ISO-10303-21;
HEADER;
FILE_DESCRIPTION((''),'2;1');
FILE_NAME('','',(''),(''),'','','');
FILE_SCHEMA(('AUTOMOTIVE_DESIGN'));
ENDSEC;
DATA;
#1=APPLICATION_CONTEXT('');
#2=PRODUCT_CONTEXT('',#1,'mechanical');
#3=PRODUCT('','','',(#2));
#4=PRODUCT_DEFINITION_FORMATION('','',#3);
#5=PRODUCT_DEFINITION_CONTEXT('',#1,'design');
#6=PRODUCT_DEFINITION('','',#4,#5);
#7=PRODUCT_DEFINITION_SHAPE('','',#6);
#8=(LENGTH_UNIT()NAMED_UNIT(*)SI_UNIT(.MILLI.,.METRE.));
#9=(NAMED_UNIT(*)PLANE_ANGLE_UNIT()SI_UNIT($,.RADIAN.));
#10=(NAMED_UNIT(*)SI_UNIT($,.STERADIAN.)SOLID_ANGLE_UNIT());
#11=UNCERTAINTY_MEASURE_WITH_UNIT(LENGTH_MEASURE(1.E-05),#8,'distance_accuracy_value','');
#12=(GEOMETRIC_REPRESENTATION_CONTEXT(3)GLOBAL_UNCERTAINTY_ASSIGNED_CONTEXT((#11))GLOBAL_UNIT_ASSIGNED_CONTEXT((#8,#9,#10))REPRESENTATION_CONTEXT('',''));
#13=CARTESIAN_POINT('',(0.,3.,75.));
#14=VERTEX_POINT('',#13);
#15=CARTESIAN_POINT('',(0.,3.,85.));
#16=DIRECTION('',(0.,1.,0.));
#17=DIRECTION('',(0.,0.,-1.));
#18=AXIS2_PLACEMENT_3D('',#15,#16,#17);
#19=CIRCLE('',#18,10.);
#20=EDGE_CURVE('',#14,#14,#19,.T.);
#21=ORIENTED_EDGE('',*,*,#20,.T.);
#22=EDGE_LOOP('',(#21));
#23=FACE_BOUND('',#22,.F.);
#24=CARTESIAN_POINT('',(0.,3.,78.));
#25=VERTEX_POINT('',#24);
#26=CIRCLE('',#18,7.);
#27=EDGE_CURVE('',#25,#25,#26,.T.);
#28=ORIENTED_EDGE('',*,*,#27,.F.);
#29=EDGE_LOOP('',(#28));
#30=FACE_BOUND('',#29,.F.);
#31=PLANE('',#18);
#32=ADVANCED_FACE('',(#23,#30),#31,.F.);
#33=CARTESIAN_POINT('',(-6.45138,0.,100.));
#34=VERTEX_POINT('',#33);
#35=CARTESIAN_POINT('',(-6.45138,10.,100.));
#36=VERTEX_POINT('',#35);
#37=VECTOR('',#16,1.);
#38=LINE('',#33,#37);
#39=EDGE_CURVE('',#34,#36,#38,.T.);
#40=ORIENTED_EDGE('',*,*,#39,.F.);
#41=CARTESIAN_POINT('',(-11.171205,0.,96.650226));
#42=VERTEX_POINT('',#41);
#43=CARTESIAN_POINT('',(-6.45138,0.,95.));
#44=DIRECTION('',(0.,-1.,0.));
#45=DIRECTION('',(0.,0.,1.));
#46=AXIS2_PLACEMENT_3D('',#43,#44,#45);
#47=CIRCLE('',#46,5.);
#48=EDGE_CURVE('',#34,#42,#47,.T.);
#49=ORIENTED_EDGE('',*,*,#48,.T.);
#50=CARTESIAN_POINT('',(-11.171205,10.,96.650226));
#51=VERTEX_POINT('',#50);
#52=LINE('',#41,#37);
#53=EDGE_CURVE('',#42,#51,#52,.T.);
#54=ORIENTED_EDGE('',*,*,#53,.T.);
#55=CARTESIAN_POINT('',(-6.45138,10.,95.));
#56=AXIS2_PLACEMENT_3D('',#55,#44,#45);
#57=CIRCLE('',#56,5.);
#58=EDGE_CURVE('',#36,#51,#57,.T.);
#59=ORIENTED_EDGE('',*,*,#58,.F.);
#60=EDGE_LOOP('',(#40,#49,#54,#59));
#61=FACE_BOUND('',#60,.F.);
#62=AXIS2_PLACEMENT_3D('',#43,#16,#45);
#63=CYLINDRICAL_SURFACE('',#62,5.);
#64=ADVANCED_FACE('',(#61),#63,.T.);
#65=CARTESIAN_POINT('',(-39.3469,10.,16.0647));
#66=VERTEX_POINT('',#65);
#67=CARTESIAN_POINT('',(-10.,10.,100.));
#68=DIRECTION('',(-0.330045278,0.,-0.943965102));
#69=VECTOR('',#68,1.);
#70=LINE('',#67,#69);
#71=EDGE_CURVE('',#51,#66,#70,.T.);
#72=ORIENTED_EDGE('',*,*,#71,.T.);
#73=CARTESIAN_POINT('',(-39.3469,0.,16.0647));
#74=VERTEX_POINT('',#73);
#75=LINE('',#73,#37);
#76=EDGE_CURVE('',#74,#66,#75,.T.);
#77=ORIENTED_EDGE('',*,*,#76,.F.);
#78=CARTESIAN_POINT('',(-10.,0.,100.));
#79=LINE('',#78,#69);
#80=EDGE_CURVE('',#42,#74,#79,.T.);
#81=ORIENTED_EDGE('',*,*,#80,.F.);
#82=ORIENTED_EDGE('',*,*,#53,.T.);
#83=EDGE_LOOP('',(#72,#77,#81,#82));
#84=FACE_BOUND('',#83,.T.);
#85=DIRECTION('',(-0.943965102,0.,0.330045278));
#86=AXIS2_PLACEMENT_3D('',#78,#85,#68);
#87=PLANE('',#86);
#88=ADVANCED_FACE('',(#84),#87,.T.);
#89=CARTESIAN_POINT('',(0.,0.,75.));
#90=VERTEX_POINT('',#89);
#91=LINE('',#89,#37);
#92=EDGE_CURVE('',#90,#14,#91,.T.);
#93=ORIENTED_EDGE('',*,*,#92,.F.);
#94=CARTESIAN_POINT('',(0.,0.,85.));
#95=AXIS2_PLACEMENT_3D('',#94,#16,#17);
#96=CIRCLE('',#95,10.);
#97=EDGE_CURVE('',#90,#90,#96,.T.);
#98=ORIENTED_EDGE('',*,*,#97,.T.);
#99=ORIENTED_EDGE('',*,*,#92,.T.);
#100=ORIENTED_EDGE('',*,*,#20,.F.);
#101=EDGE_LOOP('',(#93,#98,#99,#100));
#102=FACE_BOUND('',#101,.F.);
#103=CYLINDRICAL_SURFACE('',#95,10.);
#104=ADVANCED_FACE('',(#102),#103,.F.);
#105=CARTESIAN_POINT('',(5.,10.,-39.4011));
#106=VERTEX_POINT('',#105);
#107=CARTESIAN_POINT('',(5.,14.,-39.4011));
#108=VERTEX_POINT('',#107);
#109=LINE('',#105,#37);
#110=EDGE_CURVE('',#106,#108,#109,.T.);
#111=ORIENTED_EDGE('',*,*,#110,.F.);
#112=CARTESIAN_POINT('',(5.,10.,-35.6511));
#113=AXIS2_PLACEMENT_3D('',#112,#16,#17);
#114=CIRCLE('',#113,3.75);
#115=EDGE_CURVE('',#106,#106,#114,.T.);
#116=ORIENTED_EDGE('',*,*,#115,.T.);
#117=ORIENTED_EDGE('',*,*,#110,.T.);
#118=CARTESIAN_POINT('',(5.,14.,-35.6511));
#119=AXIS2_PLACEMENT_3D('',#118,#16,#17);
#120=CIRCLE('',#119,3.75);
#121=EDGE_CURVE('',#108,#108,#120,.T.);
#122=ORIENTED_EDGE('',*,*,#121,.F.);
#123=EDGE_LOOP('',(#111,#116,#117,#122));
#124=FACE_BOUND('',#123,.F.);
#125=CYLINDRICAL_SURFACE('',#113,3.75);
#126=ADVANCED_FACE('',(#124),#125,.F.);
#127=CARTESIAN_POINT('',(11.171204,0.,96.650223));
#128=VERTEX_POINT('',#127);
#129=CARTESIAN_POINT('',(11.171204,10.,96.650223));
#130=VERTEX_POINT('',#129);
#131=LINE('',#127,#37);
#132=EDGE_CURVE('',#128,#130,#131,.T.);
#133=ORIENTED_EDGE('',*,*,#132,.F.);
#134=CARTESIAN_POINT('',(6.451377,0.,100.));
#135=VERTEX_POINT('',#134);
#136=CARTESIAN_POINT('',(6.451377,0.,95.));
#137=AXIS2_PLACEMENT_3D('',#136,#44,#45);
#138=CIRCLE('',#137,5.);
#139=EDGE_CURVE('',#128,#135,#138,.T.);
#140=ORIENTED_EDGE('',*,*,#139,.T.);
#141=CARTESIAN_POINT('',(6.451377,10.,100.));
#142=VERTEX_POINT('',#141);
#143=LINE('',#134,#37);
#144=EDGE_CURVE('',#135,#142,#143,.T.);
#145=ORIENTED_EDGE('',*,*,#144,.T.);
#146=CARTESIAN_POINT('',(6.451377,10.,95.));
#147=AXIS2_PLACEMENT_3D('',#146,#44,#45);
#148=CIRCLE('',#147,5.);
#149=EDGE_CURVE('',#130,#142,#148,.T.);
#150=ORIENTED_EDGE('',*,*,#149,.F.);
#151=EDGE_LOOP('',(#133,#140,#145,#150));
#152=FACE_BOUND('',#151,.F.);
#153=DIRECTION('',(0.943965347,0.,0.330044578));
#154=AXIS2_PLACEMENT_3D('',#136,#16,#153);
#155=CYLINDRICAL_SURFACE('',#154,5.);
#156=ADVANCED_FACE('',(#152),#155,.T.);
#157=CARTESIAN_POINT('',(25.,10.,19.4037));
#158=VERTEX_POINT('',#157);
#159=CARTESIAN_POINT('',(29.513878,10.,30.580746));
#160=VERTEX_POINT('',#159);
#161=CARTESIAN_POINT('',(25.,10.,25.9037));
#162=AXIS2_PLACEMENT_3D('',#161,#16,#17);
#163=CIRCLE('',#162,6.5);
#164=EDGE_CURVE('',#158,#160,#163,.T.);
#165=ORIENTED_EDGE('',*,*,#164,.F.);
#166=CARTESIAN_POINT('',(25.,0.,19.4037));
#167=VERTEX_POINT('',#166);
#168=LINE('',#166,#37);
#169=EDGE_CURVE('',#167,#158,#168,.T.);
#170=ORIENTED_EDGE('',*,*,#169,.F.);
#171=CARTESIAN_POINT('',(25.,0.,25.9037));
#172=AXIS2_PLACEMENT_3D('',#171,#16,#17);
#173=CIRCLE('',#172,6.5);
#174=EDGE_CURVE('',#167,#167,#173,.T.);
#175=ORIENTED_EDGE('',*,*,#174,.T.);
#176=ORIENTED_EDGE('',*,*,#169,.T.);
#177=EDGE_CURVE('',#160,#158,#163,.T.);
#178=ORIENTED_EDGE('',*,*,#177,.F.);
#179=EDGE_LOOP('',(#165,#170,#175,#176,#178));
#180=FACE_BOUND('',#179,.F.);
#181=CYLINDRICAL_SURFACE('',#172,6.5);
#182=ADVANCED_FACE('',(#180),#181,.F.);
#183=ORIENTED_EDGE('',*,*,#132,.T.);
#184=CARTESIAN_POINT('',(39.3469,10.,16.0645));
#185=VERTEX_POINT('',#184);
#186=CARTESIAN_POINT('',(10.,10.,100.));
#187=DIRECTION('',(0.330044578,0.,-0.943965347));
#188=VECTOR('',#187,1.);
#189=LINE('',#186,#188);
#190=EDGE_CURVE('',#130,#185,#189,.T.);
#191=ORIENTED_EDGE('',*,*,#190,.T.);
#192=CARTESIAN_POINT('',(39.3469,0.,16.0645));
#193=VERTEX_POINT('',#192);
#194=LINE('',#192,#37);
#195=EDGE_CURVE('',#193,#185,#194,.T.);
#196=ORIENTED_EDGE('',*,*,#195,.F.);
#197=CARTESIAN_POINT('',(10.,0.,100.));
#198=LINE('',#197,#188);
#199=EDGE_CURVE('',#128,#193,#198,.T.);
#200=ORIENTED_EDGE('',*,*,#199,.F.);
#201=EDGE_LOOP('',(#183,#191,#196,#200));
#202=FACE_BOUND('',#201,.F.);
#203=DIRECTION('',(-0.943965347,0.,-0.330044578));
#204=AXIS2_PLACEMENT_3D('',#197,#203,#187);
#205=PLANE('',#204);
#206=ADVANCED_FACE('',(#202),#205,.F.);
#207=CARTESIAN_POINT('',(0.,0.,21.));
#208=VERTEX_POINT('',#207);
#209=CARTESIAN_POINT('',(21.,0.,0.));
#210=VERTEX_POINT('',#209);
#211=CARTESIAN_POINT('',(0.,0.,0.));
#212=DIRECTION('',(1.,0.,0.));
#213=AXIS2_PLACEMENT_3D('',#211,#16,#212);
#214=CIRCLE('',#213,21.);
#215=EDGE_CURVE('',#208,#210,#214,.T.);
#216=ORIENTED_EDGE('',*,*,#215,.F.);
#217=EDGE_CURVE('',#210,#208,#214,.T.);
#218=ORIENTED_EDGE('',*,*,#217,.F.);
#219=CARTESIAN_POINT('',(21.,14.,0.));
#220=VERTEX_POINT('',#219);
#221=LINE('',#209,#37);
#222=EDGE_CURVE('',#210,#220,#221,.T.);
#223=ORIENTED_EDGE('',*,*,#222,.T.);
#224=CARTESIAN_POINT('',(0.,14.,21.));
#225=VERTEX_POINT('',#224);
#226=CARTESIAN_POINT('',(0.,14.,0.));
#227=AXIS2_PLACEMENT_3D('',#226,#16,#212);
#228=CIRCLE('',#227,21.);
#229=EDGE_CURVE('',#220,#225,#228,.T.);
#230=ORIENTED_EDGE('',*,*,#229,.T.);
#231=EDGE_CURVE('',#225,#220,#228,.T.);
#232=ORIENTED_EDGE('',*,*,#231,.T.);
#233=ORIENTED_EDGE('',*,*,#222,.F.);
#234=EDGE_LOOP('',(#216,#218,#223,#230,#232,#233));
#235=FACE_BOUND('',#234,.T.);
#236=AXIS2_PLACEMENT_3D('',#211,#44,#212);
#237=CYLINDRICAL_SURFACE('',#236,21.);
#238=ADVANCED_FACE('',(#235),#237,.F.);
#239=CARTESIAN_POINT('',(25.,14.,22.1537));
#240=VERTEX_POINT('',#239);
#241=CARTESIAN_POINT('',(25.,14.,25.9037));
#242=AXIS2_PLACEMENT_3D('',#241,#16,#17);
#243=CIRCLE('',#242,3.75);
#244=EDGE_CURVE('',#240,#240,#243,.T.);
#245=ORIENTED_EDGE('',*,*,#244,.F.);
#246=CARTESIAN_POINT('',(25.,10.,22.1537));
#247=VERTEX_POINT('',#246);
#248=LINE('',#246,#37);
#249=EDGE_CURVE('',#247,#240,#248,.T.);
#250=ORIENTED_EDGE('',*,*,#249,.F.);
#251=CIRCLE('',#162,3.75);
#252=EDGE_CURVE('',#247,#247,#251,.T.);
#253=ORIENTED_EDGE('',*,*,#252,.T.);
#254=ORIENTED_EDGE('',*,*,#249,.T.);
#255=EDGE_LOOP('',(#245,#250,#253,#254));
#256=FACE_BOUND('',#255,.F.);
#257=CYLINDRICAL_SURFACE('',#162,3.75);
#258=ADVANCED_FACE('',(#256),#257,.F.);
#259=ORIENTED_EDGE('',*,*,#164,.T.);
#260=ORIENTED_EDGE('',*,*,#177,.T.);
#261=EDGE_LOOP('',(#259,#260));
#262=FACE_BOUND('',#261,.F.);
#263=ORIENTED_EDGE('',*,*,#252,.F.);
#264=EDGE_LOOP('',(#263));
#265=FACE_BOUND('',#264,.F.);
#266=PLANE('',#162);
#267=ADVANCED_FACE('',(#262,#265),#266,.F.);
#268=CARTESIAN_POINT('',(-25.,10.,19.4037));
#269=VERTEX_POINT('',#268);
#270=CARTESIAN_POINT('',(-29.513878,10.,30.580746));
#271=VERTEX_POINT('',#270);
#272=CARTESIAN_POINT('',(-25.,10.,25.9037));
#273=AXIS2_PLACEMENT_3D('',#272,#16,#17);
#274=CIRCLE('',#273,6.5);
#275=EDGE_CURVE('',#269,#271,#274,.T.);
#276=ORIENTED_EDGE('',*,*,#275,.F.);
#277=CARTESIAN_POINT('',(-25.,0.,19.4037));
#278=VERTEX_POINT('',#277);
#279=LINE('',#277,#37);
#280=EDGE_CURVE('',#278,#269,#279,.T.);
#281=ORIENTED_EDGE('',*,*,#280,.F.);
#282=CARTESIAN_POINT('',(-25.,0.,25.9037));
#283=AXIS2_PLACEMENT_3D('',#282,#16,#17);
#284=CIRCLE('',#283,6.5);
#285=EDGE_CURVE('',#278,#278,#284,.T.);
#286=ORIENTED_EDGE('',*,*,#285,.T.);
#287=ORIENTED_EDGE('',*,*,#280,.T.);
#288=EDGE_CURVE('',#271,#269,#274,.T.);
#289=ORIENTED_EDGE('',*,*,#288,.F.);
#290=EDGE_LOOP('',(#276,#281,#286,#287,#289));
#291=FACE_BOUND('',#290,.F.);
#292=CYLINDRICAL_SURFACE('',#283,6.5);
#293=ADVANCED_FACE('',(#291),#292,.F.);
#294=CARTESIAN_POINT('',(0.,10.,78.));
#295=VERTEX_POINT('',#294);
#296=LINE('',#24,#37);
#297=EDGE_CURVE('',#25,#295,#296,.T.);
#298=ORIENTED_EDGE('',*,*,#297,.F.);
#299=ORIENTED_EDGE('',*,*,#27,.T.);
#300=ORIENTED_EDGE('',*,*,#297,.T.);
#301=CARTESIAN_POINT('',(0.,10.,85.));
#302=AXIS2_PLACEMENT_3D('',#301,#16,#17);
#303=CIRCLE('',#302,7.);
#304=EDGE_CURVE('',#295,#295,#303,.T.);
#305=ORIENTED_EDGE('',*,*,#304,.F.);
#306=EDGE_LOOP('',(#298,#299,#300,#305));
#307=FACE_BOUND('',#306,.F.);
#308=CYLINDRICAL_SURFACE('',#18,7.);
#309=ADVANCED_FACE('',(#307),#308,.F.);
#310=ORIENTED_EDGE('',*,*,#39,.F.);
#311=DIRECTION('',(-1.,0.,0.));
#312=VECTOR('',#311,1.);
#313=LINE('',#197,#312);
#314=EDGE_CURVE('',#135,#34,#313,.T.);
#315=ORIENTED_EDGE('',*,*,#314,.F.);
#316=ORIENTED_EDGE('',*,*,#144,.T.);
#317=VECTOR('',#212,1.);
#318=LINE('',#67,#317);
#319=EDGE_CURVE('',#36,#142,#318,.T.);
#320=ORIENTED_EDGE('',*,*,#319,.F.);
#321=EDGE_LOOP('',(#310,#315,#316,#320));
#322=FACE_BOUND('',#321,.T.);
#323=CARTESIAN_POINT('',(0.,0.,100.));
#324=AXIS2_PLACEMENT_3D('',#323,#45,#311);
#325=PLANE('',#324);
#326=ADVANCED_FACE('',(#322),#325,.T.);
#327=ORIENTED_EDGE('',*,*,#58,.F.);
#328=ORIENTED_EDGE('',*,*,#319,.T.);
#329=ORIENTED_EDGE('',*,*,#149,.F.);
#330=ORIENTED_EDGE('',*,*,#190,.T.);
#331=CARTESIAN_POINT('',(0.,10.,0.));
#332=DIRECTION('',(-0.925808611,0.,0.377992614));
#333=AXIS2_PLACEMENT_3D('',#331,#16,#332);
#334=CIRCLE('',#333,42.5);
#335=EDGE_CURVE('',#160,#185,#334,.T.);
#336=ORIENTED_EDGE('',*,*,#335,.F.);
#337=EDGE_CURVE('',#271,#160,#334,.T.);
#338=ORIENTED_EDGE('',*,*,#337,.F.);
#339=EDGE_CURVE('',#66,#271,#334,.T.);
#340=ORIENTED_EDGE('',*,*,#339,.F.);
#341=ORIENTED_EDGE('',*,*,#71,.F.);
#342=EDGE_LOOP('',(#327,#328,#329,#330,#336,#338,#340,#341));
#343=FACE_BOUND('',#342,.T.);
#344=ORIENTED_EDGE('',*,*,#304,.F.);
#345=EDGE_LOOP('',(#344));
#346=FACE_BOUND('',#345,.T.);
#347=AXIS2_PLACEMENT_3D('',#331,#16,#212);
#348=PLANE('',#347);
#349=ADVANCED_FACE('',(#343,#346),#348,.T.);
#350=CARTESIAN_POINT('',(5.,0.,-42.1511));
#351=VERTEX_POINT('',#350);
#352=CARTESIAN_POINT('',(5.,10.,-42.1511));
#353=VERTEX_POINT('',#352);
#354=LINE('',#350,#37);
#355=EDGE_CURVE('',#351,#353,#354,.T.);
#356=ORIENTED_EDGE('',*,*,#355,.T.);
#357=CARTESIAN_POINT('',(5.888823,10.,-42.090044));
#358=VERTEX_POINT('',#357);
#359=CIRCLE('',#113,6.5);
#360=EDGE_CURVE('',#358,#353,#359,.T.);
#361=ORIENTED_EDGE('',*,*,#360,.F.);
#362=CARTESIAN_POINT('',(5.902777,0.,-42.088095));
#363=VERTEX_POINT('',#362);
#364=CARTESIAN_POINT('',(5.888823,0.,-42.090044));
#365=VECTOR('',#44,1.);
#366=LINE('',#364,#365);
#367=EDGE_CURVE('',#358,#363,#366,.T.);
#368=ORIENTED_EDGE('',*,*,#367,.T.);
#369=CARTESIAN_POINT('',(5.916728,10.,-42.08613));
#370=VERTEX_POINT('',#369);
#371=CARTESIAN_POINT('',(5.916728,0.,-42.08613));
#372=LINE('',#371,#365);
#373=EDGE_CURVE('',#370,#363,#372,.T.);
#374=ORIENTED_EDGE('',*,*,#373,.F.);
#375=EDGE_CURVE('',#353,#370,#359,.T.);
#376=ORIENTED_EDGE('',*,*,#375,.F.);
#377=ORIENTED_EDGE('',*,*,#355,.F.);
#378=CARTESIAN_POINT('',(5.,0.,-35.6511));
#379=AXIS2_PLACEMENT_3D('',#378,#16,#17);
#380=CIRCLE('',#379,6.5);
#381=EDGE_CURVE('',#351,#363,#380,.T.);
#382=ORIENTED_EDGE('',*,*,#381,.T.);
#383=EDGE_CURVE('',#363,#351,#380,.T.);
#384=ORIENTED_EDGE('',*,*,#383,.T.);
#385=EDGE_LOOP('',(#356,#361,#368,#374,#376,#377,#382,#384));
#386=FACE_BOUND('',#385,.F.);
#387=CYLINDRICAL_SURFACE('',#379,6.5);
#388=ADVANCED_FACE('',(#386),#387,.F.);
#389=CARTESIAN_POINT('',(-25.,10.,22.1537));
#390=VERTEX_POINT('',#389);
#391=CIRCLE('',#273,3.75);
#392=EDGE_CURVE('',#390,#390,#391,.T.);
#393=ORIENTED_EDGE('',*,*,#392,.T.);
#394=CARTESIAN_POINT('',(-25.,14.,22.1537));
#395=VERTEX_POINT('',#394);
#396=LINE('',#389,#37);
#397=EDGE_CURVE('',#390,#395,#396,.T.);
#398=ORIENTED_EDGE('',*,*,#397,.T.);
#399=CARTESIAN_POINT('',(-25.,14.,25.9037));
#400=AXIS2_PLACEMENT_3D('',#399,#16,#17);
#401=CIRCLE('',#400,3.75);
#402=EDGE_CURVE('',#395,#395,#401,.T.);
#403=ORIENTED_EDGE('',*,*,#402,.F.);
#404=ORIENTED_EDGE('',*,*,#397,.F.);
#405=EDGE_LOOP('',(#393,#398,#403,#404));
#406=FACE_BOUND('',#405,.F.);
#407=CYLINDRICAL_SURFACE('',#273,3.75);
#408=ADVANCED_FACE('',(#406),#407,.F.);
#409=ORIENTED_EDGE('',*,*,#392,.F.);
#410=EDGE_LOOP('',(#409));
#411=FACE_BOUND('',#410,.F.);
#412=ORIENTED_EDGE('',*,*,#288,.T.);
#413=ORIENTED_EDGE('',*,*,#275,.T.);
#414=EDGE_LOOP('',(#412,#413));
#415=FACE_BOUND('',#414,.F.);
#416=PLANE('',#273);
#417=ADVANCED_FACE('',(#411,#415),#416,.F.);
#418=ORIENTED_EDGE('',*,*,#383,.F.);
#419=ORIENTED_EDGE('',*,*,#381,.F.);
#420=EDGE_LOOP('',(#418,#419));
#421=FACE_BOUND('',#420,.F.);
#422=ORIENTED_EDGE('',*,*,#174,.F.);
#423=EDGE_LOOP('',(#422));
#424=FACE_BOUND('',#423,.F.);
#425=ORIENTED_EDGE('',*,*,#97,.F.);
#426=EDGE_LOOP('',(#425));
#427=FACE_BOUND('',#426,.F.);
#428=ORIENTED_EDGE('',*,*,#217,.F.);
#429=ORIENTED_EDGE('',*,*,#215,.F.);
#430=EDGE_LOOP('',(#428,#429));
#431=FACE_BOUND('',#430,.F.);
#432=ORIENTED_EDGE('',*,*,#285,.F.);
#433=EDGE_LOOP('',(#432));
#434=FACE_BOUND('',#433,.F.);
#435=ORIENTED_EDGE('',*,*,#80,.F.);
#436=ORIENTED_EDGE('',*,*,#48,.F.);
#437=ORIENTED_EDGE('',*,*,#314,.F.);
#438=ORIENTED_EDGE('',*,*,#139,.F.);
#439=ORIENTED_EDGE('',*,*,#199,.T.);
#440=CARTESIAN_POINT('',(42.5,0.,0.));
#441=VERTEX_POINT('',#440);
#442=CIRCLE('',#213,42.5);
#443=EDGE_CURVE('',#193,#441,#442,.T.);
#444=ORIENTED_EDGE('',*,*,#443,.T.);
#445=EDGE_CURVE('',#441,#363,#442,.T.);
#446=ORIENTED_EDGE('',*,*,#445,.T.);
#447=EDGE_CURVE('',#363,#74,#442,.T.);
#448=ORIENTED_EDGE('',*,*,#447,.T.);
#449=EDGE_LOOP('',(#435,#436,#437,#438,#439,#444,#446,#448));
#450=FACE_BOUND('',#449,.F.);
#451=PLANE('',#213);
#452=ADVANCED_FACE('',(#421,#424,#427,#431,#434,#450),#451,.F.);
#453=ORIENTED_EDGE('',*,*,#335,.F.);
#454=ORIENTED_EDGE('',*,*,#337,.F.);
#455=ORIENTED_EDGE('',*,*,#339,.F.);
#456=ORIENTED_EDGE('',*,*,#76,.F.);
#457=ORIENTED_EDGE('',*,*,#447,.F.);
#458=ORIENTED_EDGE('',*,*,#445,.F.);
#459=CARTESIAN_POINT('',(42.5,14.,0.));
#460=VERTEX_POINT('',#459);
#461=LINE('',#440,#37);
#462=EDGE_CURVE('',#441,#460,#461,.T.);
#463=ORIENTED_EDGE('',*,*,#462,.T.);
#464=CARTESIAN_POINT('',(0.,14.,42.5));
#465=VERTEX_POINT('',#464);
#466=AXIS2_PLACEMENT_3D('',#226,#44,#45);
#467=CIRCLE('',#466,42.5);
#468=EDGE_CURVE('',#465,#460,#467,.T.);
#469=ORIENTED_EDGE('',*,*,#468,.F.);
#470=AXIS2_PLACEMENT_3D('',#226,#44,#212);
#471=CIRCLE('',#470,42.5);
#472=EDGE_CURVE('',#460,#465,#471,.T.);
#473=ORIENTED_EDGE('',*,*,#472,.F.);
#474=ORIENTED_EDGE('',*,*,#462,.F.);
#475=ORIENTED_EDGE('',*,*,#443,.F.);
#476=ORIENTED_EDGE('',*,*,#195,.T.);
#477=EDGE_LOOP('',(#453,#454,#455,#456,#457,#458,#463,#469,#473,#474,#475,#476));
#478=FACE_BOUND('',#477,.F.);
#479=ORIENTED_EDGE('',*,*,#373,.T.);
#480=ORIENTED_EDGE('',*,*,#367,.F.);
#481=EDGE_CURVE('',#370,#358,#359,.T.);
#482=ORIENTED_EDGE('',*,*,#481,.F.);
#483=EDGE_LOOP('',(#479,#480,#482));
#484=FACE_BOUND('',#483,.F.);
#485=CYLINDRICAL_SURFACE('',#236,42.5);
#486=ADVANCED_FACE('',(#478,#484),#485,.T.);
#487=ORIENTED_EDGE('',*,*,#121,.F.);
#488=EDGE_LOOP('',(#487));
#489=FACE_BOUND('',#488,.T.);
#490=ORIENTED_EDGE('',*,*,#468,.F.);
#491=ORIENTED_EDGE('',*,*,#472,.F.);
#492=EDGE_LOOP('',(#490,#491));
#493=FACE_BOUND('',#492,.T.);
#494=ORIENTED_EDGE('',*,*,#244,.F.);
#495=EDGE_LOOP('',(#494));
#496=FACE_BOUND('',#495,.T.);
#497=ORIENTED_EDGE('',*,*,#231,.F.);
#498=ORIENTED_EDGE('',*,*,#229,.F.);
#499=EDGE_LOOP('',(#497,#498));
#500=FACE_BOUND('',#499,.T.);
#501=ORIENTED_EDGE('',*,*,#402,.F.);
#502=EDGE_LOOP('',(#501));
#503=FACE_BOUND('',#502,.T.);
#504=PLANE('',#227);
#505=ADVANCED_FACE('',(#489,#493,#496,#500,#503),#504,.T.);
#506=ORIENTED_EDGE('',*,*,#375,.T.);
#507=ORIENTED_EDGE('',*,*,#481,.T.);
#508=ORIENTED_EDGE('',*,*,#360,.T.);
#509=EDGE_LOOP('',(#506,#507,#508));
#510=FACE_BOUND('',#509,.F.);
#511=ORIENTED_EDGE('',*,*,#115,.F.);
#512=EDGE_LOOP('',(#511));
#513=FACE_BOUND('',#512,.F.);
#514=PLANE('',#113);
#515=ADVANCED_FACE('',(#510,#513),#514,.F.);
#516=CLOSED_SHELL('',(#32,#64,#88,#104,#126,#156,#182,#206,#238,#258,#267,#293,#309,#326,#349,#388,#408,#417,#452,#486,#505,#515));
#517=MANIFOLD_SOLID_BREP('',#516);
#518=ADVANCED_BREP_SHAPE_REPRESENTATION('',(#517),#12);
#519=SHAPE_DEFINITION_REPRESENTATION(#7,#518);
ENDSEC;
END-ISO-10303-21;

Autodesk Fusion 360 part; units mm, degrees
sketch "Esquisse1" plane through (0, 0, 0) normal (0, 1, 0) x (1, 0, 0)
  circle A0 centre (0, 0) radius 42.5
  circle A1 centre (0, 0) radius 21
  line L0 (0, 0) -> (0, -100)
  line L1 (0, -100) -> (-10, -100)
  line L2 (0, -100) -> (10, -100)
  line L3 (-10, -100) -> (-39.3469, -16.0647)
  line L4 (10, -100) -> (39.3469, -16.0645)
  dimension "d1" = 85
  dimension "d2" = 42
  dimension "d3" = 100
  dimension "d4" = 10
  dimension "d5" = 10
  dimension "d6" = 88.918
extrude "Extrusion1" add sketch "Esquisse1" along normal blind 10 contours A0 L0 L1 L3 | A0 L0 L2 L4
extrude "Extrusion2" add sketch "Esquisse1" along normal blind 14 contours A0
fillet "Congé1" radius 5 1 edges at (10, 5, 100)
fillet "Congé2" radius 5 1 edges at (-10, 5, 100)
sketch "Esquisse2" plane through (0, 0, 0) normal (0, 1, 0) x (1, 0, 0)
  circle A0 centre (0, 0) radius 36
  line L0 (0, 0) -> (25, 0)
  line L1 (0, 0) -> (-25, 0)
  line L2 (-25, 0) -> (-25, -25.9037)
  line L3 (25, 0) -> (25, -25.9037)
  dimension "d15" = 72
  dimension "d16" = 25
  dimension "d17" = 25
hole "Perçage1" at (25, 0, 25.9037) direction (0, 1, 0) diameter 7.5 depth 15 tip angle 180 counterbore diameter 13 counterbore depth 10
sketch "Esquisse3" plane through (0, 0, 0) normal (0, 1, 0) x (1, 0, 0)
  circle A0 centre (0, 0) radius 36
  line L0 (0, 0) -> (-25, 0)
  line L1 (-25, 0) -> (-25, -25.9037)
  dimension "d23" = 72
  dimension "d24" = 25
hole "Perçage2" at (-25, 0, 25.9037) direction (0, 1, 0) diameter 7.5 depth 15 tip angle 180 counterbore diameter 13 counterbore depth 10
sketch "Esquisse4" plane through (0, 0, 0) normal (0, 1, 0) x (1, 0, 0)
  circle A0 centre (0, 0) radius 36
  line L0 (0, 0) -> (5, 0)
  line L1 (5, 0) -> (5, 35.6511)
  dimension "d30" = 72
  dimension "d31" = 5
hole "Perçage3" at (5, 0, -35.6511) direction (0, 1, 0) diameter 7.5 depth 15 tip angle 180 counterbore diameter 13 counterbore depth 10
sketch "Esquisse5" plane through (0, 0, 0) normal (0, 1, 0) x (1, 0, 0)
  line L0 (0, 0) -> (0, -85)
  dimension "d37" = 85
hole "Perçage4" at (0, 0, 85) direction (0, 1, 0) diameter 14 depth 10 tip angle 180 counterbore diameter 20 counterbore depth 3
